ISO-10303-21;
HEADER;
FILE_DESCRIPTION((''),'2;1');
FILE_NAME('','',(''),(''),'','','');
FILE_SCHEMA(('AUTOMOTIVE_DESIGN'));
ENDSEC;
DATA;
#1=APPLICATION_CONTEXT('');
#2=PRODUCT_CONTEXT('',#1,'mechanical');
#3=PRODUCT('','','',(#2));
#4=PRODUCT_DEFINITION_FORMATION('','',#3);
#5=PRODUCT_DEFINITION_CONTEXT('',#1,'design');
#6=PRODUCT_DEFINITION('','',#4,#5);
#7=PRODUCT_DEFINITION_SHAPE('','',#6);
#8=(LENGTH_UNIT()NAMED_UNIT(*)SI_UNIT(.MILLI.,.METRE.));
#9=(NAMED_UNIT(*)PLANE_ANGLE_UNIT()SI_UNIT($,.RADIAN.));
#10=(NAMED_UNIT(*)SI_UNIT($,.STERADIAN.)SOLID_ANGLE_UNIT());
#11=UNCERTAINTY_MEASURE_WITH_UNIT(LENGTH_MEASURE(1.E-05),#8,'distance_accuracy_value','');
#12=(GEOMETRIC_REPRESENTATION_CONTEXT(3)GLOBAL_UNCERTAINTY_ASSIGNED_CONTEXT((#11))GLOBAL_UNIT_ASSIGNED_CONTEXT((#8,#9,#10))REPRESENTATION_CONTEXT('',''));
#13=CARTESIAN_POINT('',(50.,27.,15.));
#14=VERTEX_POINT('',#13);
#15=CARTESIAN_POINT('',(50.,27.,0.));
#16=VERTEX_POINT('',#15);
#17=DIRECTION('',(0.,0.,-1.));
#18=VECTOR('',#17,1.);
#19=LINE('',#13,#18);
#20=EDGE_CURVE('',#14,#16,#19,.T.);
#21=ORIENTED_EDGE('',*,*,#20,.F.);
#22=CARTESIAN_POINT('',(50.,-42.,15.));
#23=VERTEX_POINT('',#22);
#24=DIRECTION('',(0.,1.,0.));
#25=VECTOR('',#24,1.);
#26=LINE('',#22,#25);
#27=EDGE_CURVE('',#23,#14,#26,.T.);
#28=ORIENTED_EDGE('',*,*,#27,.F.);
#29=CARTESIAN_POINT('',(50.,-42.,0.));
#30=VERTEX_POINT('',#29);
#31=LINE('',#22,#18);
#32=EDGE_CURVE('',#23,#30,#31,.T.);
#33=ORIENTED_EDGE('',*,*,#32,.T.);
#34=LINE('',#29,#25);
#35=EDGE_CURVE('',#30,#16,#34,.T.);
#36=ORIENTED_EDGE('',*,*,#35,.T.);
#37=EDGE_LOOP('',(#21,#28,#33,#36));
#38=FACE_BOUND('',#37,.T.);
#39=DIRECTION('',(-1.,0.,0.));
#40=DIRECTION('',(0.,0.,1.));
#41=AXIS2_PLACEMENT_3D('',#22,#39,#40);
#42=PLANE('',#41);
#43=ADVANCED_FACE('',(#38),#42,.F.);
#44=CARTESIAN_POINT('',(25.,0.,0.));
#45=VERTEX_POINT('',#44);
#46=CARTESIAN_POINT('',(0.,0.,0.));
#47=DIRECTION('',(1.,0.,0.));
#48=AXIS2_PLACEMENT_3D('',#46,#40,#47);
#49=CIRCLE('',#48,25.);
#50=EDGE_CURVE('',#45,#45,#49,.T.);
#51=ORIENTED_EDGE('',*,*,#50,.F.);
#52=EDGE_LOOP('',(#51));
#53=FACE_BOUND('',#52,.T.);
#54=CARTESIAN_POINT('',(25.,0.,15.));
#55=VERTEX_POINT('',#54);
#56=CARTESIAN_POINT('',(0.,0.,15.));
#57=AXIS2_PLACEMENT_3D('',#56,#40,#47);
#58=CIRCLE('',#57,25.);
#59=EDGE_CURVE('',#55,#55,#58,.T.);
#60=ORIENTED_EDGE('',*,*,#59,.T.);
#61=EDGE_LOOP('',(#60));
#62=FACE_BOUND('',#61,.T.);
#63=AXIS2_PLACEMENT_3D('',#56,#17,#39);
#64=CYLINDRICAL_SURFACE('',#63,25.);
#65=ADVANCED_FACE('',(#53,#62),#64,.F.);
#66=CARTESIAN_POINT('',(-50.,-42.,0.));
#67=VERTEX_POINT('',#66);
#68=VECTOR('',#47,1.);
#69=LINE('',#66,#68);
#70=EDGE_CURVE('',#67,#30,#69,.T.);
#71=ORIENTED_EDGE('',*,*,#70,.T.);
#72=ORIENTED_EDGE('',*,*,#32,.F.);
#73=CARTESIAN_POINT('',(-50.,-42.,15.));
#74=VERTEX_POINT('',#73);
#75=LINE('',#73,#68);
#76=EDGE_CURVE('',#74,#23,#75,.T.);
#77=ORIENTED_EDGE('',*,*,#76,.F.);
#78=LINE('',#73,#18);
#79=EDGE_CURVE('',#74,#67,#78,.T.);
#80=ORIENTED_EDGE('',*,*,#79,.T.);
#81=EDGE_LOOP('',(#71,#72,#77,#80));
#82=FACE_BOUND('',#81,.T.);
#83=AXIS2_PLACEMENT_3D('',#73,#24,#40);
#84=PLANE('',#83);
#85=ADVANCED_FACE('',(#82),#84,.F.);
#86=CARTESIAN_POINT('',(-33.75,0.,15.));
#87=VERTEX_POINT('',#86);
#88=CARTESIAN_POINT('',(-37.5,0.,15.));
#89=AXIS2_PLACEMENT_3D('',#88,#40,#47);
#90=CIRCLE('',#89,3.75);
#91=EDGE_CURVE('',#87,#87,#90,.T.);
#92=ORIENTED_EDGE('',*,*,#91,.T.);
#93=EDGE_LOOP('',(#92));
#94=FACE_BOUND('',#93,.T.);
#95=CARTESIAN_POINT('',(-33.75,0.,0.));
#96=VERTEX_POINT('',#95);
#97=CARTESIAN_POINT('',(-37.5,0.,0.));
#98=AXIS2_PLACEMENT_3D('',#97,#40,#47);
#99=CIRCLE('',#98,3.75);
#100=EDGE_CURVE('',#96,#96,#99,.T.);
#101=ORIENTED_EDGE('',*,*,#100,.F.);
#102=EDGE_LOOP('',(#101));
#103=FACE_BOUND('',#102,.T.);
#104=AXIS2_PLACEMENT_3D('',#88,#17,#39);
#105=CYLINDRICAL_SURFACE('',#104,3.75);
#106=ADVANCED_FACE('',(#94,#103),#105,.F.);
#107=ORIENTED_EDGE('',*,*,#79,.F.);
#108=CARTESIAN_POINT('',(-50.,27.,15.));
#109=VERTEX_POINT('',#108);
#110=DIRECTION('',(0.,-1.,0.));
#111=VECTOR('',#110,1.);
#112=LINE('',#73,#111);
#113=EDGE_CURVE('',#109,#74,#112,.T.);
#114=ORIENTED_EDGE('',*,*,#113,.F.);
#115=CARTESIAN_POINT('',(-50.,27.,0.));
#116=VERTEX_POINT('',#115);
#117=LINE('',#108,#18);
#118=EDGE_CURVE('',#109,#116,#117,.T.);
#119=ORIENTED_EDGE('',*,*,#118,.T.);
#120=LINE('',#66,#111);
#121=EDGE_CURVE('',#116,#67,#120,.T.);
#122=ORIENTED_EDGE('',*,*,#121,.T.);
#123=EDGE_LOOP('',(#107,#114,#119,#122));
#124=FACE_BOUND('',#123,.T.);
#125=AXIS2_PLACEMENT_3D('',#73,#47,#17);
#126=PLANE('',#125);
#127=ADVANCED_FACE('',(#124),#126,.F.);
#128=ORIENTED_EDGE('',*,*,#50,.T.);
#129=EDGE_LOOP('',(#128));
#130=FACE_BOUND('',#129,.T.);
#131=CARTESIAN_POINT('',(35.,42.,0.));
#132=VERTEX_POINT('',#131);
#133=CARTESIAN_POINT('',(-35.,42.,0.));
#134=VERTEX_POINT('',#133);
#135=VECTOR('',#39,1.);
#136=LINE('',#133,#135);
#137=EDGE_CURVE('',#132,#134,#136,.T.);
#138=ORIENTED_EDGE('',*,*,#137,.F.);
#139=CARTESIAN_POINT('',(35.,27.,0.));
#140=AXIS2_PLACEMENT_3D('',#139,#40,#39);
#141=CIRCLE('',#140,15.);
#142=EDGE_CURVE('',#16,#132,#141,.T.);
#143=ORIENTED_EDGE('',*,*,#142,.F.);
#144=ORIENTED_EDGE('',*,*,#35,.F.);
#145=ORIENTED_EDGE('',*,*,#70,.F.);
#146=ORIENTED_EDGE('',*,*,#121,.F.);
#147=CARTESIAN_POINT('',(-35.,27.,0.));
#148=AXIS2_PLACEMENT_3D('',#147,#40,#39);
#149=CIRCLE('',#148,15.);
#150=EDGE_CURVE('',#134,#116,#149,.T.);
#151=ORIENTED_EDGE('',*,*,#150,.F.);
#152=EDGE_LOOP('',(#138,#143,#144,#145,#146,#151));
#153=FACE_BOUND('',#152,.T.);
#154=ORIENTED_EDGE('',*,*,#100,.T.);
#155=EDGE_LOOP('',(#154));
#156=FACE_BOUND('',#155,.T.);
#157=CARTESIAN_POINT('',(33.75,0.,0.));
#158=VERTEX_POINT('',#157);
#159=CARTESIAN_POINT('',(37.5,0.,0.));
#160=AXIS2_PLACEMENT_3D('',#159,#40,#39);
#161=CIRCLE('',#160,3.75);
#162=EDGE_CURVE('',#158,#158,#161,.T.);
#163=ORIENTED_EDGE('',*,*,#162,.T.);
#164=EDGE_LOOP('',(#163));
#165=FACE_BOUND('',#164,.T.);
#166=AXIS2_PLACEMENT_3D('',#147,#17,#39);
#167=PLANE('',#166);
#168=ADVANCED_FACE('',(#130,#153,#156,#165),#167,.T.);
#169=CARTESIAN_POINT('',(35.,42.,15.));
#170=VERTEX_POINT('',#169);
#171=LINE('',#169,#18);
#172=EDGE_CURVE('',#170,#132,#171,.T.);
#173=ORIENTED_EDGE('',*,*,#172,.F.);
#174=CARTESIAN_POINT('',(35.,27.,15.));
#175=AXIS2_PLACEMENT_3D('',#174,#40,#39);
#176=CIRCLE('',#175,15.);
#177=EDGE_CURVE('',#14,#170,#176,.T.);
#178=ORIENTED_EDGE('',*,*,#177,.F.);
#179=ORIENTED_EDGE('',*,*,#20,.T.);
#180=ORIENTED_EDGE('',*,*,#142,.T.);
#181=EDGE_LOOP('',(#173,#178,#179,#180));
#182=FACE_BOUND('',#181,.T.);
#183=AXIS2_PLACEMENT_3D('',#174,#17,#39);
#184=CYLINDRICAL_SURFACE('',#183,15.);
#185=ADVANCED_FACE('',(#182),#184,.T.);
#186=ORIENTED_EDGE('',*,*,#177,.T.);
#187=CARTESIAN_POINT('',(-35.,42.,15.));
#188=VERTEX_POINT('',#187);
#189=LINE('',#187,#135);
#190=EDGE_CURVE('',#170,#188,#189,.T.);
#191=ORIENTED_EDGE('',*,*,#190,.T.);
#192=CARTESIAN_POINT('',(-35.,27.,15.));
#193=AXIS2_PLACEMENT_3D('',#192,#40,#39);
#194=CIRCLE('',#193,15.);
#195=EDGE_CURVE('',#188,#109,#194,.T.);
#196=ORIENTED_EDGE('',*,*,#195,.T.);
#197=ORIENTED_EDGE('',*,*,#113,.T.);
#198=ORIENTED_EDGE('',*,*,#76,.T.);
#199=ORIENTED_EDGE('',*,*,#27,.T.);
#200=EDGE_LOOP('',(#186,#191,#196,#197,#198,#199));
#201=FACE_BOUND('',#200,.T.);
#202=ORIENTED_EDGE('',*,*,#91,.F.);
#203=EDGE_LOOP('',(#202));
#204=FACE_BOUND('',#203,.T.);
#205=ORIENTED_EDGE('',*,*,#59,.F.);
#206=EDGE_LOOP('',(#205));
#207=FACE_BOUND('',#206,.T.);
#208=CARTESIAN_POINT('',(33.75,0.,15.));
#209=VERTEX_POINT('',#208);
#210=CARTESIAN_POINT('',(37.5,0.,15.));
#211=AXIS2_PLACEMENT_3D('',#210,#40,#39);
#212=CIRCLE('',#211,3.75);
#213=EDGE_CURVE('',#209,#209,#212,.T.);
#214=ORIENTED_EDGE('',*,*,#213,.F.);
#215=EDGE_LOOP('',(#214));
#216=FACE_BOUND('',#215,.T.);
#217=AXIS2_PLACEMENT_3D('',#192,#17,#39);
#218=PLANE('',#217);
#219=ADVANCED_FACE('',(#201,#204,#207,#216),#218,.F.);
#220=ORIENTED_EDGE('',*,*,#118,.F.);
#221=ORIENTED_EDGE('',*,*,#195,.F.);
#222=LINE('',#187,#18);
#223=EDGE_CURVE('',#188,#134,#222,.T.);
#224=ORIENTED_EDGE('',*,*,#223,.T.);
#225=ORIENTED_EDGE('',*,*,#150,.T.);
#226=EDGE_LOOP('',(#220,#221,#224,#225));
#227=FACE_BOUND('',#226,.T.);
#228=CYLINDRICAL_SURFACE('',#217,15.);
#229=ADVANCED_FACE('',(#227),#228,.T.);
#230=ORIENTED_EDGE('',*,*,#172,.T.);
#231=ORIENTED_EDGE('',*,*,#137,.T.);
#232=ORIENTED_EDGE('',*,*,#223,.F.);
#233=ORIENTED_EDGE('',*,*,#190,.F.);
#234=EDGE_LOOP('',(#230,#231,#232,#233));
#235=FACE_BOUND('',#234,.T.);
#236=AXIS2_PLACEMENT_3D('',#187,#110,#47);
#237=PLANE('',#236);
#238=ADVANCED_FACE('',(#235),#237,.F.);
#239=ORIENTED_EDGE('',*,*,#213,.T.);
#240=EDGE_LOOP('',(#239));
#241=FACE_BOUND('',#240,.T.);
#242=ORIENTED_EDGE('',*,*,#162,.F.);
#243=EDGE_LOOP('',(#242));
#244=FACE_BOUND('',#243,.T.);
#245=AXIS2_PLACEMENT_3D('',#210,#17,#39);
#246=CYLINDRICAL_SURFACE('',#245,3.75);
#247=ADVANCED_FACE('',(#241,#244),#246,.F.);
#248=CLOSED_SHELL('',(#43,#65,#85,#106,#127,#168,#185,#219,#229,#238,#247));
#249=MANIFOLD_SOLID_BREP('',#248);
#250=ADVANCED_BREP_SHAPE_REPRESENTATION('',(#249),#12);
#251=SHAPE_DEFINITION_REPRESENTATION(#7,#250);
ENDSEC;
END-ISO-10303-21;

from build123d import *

# Parameters (mm, degrees)
SKETCH1_R           = 25
SKETCH1_R_2         = 3.75
BOSS_EXTRUDE1_DEPTH = 15


with BuildPart() as part:
    # Sketch1 → Boss-Extrude1 (new body)
    with BuildSketch(Plane.XY):
        with BuildLine():
            Line((-50, -42), (50, -42))
            Line((50, -42), (50, 27))
            ThreePointArc((50, 27), (45.606601718, 37.606601718), (35, 42))
            Line((35, 42), (-35, 42))
            ThreePointArc((-35, 42), (-45.606601718, 37.606601718), (-50, 27))
            Line((-50, 27), (-50, -42))
        make_face()
        Circle(SKETCH1_R, mode=Mode.SUBTRACT)
        with Locations((-37.5, 0)):
            Circle(SKETCH1_R_2, mode=Mode.SUBTRACT)
        with Locations(Location((37.5, 0, 0), (0, 0, 180))):
            Circle(SKETCH1_R_2, mode=Mode.SUBTRACT)
    extrude(amount=BOSS_EXTRUDE1_DEPTH)


solid = part.part
